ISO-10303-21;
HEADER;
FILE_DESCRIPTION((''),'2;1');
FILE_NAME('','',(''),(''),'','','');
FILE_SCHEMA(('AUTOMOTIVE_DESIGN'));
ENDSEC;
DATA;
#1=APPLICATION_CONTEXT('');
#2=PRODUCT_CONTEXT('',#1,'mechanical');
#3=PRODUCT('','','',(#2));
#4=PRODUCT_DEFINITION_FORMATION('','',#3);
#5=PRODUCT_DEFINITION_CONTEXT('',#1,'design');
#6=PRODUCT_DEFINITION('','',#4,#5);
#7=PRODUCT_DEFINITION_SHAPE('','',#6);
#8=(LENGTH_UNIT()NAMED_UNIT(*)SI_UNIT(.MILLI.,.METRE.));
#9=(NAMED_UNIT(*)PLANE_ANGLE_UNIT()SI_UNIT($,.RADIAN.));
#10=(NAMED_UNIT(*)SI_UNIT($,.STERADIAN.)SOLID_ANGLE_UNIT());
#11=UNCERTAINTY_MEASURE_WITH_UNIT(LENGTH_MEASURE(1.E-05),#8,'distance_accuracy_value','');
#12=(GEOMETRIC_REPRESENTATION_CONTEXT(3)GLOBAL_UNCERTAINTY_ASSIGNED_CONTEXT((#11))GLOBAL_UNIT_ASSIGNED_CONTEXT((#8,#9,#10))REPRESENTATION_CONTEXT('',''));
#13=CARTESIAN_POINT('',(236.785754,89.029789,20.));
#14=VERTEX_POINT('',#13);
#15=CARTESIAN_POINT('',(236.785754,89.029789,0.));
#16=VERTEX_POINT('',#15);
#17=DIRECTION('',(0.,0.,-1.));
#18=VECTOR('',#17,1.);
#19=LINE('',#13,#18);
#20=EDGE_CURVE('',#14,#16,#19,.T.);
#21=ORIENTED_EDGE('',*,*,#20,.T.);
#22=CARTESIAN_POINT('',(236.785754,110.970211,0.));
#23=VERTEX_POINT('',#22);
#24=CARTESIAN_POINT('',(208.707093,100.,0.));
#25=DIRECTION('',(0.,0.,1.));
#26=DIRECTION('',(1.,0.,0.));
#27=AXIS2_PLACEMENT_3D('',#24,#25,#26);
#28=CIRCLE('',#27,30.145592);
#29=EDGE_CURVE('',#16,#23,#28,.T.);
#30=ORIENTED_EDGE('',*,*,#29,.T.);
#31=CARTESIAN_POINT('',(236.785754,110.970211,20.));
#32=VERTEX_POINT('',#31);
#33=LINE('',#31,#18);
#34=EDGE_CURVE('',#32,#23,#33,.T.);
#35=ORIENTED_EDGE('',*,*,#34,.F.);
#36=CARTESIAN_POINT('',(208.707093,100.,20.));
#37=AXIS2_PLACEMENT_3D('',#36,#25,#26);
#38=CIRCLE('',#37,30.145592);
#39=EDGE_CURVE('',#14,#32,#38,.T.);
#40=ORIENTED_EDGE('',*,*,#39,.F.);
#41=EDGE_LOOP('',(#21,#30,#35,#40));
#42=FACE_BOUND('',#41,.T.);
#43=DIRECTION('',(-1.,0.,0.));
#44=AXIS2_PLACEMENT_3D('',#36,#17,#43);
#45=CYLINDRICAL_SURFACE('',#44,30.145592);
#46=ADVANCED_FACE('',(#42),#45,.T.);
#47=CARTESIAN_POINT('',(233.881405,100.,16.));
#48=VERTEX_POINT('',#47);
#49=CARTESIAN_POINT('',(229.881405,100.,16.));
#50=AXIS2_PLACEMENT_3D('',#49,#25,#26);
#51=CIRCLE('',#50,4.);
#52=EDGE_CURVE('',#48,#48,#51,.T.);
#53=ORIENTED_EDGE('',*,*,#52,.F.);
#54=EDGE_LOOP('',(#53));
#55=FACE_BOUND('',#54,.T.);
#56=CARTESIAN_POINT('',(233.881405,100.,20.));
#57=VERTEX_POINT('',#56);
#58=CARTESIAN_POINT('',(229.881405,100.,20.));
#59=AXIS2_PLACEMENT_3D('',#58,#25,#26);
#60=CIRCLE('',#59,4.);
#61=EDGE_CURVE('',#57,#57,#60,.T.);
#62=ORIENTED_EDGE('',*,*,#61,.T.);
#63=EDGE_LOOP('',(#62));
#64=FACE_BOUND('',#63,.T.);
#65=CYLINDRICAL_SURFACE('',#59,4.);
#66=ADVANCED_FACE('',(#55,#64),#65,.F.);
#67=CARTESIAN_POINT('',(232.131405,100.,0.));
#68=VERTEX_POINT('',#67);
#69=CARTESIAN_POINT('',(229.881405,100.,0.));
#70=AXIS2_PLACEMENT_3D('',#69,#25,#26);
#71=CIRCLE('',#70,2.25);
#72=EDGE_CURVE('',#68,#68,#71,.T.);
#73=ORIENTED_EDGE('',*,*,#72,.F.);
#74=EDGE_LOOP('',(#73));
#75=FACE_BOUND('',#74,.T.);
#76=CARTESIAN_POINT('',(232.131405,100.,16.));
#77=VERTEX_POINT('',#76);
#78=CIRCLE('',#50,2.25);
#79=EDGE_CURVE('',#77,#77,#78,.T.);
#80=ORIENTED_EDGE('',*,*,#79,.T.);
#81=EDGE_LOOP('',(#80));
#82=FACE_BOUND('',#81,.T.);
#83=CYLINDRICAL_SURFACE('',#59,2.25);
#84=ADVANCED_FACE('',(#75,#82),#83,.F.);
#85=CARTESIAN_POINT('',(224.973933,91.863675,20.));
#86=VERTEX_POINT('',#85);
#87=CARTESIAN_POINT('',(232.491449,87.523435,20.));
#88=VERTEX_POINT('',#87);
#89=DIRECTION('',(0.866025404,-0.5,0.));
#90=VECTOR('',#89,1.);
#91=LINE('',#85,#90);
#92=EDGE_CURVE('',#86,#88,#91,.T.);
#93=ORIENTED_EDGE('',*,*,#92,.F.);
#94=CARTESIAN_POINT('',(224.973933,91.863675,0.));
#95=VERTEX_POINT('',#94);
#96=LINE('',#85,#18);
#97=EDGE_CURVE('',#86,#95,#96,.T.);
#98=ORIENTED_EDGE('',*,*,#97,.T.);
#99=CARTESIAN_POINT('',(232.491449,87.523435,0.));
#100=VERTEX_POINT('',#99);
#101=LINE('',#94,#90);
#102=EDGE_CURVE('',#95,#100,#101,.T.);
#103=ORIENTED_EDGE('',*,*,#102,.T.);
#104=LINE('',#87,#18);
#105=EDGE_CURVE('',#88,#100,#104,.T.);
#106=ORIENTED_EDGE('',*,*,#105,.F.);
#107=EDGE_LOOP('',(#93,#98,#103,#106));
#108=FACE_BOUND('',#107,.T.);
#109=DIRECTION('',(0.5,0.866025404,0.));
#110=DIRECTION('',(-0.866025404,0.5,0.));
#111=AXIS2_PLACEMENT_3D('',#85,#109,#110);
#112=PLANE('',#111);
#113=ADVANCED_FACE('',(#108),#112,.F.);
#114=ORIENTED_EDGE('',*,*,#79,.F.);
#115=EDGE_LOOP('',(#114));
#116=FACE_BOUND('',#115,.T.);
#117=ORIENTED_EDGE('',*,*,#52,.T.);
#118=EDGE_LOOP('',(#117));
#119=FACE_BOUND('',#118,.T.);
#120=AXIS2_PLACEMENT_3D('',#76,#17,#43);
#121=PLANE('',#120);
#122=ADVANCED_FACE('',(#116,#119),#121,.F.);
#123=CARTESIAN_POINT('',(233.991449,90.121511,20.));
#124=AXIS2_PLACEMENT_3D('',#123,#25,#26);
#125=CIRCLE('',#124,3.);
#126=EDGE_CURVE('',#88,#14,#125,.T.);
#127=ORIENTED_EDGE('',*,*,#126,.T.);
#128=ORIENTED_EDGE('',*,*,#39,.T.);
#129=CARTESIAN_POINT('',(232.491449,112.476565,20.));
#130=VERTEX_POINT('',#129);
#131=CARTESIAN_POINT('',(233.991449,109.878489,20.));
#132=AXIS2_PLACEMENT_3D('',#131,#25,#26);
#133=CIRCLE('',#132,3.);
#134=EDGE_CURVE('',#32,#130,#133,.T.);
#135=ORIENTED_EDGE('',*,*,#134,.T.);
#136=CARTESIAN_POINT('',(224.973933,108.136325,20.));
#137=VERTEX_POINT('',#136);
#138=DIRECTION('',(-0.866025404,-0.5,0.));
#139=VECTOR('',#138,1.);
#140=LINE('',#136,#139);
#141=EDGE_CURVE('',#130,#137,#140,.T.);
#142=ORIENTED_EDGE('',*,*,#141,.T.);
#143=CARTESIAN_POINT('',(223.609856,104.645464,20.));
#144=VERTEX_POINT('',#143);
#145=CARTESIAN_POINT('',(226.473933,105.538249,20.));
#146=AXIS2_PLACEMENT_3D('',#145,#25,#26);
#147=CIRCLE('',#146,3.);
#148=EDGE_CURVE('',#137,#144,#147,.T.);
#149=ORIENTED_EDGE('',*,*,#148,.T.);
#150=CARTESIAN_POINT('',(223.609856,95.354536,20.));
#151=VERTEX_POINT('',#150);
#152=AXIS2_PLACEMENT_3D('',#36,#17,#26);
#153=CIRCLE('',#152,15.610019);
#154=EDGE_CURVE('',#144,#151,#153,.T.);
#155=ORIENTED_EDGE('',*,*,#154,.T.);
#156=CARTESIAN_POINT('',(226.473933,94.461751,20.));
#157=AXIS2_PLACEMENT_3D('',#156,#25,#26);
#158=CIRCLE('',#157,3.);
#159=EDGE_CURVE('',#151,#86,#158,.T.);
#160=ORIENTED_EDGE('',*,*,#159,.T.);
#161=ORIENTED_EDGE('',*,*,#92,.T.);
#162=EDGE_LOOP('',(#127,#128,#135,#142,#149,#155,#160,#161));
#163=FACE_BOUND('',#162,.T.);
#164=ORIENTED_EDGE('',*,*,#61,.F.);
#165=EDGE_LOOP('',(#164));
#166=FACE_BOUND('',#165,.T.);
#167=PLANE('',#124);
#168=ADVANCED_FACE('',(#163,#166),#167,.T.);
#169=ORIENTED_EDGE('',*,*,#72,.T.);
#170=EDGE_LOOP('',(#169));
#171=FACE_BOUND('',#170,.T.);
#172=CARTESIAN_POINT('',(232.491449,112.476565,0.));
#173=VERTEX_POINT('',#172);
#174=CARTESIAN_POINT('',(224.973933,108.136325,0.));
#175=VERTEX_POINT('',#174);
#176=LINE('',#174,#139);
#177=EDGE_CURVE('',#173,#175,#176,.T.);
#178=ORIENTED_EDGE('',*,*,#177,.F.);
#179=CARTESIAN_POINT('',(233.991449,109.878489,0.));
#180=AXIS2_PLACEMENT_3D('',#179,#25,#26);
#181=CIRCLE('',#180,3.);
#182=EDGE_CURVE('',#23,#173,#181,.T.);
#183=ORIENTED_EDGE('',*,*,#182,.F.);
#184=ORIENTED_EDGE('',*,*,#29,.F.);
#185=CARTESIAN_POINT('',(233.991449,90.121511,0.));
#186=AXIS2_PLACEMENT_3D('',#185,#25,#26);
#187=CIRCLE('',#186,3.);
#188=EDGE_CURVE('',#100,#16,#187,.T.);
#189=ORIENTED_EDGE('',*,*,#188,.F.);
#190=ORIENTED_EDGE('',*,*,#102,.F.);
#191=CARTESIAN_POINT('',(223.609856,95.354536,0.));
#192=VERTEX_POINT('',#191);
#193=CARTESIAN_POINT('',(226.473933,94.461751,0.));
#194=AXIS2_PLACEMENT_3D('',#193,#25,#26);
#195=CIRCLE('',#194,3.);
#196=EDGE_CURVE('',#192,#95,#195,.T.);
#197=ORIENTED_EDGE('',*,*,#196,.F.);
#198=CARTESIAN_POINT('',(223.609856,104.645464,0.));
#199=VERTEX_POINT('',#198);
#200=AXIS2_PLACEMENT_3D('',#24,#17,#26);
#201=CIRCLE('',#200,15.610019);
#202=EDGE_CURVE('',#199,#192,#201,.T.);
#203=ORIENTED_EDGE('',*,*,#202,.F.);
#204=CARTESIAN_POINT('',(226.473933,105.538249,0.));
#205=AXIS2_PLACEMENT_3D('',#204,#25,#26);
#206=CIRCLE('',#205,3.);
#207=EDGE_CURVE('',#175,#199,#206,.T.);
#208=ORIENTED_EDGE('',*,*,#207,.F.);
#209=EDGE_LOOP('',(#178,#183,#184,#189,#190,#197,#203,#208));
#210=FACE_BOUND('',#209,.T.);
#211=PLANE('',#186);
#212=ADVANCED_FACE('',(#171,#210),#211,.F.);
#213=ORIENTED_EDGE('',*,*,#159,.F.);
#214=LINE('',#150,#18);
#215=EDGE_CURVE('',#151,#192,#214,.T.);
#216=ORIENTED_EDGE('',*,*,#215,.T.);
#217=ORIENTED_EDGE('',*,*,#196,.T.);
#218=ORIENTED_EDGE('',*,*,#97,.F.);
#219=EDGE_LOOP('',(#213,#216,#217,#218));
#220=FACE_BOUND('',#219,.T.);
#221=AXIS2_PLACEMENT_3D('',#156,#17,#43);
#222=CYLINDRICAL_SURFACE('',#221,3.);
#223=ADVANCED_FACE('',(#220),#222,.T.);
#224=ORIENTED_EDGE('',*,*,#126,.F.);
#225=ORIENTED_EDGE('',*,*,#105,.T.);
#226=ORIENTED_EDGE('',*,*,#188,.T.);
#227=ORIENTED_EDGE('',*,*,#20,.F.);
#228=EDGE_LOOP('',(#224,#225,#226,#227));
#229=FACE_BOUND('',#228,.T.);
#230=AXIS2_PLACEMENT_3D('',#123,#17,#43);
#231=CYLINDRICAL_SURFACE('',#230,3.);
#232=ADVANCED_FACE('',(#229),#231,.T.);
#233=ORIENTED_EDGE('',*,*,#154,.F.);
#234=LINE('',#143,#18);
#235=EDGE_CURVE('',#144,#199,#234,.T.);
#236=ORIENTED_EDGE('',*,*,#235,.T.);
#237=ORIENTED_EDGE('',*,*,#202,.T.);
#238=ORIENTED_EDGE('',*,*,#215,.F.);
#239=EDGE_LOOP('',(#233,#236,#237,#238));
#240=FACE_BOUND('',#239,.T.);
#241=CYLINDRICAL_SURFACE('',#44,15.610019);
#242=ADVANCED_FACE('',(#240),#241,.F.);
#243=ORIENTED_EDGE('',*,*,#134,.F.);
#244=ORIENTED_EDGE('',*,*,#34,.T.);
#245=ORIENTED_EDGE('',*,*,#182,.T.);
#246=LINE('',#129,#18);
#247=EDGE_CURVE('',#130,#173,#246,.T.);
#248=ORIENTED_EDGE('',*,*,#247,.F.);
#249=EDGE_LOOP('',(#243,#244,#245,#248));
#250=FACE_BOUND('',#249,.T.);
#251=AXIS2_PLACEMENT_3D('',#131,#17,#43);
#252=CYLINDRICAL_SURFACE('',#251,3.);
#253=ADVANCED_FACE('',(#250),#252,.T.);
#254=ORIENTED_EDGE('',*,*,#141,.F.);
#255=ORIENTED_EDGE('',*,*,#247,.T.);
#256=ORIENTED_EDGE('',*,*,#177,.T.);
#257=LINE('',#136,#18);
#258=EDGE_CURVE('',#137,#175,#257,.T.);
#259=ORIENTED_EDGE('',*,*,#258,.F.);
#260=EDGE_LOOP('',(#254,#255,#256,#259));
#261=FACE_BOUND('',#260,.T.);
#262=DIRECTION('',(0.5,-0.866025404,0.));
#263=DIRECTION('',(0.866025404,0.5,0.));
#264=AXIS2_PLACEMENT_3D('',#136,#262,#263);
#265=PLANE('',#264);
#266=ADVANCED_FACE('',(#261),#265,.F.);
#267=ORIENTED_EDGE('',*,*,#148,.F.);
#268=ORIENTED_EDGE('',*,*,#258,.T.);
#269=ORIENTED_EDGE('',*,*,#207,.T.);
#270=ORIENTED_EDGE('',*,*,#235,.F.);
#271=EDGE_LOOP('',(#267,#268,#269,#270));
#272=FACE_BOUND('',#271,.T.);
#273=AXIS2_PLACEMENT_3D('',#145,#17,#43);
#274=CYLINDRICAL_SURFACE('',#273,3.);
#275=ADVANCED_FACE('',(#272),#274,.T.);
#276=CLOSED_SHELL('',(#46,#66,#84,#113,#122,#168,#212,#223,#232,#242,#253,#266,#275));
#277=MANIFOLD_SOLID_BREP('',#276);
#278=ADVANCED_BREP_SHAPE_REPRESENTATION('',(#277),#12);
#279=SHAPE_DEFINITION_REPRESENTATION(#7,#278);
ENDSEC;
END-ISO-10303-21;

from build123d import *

# Parameters (mm, degrees)
RESSALTO_EXTRUS_O1_DEPTH          = 20
REBAIXO_PARA_SHCS_M41_D           = 4.5
REBAIXO_PARA_SHCS_M41_CBORE_D     = 8
REBAIXO_PARA_SHCS_M41_CBORE_DEPTH = 4


with BuildPart() as part:
    # Esboço1 → Ressalto-extrusão1 (new body)
    with BuildSketch(Plane.XY):
        with BuildLine():
            Line((224.973932781, 108.136324985), (232.491448563, 112.476564746))
            ThreePointArc((232.491448563, 112.476564746), (234.984464913, 112.709375061), (236.785753669, 110.970211474))
            ThreePointArc((236.785753669, 110.970211474), (238.85268513, 100), (236.785753669, 89.029788526))
            ThreePointArc((236.785753669, 89.029788526), (234.984464913, 87.290624939), (232.491448563, 87.523435254))
            Line((232.491448563, 87.523435254), (224.973932781, 91.863675015))
            ThreePointArc((224.973932781, 91.863675015), (223.679685252, 93.369880929), (223.609856165, 95.354536271))
            ThreePointArc((223.609856165, 95.354536271), (224.317111682, 100), (223.609856165, 104.645463729))
            ThreePointArc((223.609856165, 104.645463729), (223.679685252, 106.630119071), (224.973932781, 108.136324985))
        make_face()
    extrude(amount=RESSALTO_EXTRUS_O1_DEPTH)

    # Rebaixo para SHCS M41 (through all)
    with Locations(Plane.XY.offset(20)):
        with Locations((229.88140452, 100)):
            CounterBoreHole(REBAIXO_PARA_SHCS_M41_D / 2, REBAIXO_PARA_SHCS_M41_CBORE_D / 2, REBAIXO_PARA_SHCS_M41_CBORE_DEPTH)


solid = part.part
